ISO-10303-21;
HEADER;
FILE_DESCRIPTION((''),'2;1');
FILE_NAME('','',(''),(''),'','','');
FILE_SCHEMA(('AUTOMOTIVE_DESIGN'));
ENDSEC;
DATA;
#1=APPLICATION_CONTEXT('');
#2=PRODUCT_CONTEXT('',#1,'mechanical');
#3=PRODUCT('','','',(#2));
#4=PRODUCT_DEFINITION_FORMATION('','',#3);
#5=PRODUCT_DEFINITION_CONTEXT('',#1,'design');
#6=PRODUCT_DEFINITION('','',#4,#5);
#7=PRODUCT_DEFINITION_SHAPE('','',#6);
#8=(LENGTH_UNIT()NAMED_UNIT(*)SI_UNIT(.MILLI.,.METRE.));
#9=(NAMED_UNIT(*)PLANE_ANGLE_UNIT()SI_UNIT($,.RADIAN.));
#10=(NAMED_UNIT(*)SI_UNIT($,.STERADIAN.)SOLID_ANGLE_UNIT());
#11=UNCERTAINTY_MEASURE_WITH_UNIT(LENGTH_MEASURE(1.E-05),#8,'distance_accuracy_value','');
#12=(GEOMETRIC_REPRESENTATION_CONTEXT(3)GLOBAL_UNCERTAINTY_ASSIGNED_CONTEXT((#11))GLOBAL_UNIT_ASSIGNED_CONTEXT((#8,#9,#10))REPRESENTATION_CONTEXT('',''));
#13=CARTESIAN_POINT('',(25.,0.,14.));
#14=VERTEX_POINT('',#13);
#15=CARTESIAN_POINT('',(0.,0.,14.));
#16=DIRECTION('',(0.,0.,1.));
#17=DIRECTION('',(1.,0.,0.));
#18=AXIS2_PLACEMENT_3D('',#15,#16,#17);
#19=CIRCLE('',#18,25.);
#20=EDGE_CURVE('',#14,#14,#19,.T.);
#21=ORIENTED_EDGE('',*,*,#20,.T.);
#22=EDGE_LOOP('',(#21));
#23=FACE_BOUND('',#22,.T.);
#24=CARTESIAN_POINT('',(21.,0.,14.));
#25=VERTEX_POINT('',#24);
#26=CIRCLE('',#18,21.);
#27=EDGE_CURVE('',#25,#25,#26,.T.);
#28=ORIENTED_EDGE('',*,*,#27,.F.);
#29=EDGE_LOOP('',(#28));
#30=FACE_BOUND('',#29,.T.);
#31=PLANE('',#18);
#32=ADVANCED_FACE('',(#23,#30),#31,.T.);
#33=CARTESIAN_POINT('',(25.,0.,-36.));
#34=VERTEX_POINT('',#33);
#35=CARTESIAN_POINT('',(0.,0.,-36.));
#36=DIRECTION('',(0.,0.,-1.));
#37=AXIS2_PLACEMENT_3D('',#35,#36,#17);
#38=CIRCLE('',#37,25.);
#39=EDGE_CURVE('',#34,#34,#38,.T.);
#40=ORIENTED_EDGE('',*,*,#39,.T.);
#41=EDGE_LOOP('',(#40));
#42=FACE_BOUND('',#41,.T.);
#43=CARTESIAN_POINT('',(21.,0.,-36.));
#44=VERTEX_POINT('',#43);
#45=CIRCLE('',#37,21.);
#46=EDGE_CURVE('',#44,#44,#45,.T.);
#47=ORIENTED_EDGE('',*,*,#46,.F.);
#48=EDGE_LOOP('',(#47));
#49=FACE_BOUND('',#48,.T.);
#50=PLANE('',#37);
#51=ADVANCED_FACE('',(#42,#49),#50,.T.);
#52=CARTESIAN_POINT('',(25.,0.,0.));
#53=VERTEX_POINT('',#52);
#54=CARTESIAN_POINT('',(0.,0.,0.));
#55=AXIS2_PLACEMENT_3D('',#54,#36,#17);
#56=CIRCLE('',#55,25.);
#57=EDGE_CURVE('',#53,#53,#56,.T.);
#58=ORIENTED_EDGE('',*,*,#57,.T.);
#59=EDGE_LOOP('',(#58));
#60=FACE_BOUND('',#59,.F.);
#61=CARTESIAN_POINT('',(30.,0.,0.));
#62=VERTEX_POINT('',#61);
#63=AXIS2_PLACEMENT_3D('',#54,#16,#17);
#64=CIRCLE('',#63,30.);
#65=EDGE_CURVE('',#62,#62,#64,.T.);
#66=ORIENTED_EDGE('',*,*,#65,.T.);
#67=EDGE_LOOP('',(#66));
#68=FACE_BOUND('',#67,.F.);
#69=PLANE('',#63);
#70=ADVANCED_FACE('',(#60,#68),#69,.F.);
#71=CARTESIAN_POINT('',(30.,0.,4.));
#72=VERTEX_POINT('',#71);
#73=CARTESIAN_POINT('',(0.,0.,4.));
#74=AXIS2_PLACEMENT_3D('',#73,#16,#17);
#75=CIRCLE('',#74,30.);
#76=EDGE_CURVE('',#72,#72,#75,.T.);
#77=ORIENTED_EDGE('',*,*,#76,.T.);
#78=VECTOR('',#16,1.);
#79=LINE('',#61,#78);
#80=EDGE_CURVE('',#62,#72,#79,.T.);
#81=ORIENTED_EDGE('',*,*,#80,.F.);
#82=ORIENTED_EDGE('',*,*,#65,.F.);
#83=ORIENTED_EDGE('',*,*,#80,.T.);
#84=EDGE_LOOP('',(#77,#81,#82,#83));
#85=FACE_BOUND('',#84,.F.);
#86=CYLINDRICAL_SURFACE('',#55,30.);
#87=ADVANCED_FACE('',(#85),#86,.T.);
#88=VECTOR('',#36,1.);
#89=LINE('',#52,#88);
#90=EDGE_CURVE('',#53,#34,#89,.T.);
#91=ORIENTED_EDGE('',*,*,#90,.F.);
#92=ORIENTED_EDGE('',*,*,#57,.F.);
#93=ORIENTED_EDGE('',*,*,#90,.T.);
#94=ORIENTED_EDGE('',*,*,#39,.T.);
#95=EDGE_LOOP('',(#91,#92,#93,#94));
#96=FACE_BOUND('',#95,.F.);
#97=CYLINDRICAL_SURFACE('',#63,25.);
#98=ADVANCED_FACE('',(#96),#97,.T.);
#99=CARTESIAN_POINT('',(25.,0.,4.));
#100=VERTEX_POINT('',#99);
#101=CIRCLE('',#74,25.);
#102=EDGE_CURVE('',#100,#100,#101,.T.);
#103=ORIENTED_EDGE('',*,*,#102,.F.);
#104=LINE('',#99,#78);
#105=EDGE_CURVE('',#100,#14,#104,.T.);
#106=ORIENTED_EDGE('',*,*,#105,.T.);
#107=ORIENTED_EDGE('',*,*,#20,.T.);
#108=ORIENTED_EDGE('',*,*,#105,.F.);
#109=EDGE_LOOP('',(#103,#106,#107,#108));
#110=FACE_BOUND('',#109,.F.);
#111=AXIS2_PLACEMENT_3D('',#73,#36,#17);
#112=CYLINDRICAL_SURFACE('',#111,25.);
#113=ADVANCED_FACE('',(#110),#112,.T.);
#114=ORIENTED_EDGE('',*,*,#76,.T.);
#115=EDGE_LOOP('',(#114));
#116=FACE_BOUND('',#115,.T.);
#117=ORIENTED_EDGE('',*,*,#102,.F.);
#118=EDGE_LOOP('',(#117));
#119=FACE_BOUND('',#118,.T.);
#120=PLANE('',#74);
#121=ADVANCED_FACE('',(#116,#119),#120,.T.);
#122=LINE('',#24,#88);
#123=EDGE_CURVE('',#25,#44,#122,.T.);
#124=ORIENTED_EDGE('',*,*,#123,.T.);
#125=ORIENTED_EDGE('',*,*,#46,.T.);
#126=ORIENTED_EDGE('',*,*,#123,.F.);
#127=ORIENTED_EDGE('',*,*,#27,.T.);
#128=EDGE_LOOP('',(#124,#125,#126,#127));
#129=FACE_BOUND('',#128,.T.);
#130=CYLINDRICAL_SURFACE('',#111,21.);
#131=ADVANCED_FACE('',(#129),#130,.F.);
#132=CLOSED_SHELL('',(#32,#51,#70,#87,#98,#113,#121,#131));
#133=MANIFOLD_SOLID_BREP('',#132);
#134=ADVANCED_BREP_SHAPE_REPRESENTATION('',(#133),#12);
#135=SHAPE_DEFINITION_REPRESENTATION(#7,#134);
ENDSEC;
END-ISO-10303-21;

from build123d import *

# Parameters (mm, degrees)
SKETCH_R      = 30
SKETCH_R_2    = 21
PAD_DEPTH     = 4
SKETCH001_R   = 25
SKETCH001_R_2 = 21
PAD001_DEPTH  = 36
SKETCH002_R   = 25
SKETCH002_R_2 = 21
PAD002_DEPTH  = 10


with BuildPart() as part:
    # Sketch → Pad (new body)
    with BuildSketch(Plane.XY):
        Circle(SKETCH_R)
        Circle(SKETCH_R_2, mode=Mode.SUBTRACT)
    extrude(amount=PAD_DEPTH)

    # Sketch001 (on Face3 of Pad) → Pad001 (join)
    with BuildSketch(Plane(origin=(0, 0, 0), x_dir=(1, 0, 0), z_dir=(0, 0, -1))):
        Circle(SKETCH001_R)
        Circle(SKETCH001_R_2, mode=Mode.SUBTRACT)
    extrude(amount=PAD001_DEPTH)

    # Sketch002 (on Face3 of Pad001) → Pad002 (join)
    with BuildSketch(Plane.XY.offset(4)):
        Circle(SKETCH002_R)
        Circle(SKETCH002_R_2, mode=Mode.SUBTRACT)
    extrude(amount=PAD002_DEPTH)


solid = part.part
